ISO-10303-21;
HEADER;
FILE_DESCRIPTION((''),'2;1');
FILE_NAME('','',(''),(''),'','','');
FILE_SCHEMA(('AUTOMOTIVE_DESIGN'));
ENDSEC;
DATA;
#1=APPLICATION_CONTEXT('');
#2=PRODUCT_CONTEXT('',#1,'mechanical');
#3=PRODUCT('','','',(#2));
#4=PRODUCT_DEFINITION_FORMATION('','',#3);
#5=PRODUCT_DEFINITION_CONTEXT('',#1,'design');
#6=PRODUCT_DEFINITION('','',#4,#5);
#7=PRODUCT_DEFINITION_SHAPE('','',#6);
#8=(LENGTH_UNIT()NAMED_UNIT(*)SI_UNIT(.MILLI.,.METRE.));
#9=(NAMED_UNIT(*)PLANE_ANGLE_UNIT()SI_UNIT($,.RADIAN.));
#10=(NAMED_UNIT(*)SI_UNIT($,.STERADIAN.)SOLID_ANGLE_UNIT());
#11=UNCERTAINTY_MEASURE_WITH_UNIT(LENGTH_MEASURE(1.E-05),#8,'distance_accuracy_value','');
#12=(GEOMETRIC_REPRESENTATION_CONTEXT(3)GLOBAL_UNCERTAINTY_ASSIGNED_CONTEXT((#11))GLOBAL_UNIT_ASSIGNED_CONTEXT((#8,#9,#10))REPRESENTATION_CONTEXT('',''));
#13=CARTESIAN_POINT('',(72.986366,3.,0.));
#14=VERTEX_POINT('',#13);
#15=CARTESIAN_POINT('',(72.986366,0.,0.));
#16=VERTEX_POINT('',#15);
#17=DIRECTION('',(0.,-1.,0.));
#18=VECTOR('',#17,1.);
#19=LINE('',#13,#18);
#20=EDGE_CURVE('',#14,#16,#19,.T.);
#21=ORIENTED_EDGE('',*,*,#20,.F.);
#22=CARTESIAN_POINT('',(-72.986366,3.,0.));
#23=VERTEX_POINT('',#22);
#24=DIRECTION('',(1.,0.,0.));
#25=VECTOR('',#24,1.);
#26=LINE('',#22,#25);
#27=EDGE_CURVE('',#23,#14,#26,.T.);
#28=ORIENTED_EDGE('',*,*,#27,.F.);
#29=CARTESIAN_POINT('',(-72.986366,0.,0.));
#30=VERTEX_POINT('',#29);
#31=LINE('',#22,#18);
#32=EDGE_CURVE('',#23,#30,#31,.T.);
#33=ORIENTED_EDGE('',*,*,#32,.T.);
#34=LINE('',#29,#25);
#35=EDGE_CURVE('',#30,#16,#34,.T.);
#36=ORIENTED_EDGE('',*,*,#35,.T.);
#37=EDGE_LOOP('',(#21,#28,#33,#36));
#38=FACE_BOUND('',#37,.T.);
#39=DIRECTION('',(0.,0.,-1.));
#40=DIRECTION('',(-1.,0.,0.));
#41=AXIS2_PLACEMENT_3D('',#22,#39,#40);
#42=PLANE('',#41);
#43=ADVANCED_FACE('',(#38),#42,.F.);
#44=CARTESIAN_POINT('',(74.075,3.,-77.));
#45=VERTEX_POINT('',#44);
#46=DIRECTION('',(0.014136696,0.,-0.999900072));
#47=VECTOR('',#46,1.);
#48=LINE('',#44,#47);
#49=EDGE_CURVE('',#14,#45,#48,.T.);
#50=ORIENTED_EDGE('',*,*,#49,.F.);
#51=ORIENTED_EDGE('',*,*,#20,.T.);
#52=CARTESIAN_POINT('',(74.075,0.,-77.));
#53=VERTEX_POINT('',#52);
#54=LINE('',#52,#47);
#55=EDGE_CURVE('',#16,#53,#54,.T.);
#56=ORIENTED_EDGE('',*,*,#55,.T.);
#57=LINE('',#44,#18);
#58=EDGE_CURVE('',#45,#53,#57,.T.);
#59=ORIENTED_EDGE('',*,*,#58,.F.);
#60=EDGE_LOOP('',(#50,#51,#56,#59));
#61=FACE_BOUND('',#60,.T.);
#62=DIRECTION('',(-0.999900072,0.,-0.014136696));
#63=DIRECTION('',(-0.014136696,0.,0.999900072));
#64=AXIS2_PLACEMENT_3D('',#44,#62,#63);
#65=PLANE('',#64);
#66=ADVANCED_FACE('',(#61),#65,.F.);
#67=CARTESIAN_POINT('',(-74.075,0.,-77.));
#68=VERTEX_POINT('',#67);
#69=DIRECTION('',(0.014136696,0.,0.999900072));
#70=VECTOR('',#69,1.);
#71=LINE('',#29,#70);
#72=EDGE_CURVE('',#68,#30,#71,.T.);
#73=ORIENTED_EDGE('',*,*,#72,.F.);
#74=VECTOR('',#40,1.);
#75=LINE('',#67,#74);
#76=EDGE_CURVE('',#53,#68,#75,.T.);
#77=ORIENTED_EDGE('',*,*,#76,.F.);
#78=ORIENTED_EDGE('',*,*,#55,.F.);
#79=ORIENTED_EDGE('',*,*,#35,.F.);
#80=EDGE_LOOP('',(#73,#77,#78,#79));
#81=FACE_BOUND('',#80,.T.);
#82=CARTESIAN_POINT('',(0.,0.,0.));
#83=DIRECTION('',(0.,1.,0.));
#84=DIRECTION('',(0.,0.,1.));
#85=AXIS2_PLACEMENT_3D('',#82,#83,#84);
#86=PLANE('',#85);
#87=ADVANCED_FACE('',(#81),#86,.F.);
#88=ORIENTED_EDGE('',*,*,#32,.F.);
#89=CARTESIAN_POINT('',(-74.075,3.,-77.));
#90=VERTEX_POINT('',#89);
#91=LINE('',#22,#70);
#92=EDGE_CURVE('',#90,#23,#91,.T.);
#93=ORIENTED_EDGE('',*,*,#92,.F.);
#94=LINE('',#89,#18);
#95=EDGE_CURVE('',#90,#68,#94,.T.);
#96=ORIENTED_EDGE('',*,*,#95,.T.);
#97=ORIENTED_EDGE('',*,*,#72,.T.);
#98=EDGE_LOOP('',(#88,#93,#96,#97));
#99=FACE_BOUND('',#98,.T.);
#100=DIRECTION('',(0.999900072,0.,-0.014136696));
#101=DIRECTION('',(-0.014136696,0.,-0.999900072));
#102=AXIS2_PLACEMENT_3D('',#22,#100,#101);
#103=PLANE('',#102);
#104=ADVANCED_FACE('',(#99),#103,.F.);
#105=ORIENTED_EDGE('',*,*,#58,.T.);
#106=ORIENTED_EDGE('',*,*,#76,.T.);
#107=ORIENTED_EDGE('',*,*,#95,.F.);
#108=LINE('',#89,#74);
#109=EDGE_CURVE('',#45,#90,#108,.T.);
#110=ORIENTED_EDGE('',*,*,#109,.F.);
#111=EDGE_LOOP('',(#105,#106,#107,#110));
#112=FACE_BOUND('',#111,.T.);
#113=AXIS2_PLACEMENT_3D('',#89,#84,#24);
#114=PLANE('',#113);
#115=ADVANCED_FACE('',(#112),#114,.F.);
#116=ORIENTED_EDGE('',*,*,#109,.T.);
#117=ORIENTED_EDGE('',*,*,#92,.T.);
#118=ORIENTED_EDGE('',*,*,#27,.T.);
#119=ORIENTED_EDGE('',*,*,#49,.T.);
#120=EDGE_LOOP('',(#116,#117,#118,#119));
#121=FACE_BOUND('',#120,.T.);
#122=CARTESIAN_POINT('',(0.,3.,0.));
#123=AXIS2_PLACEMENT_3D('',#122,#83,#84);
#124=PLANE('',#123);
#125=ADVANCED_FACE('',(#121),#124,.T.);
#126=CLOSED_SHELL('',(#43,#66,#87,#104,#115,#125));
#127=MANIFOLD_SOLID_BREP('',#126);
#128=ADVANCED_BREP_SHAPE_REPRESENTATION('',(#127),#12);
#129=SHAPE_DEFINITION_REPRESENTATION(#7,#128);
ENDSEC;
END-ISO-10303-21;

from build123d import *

# Parameters (mm, degrees)
BOSS_EXTRUDE1_DEPTH = 3


with BuildPart() as part:
    # Sketch1 → Boss-Extrude1 (new body)
    with BuildSketch(Plane(origin=(0, 0, 0), x_dir=(1, 0, 0), z_dir=(0, 1, 0))):
        Polygon((-72.98636562, 0), (72.98636562, 0), (74.075, 77), (-74.075, 77), align=None)
    extrude(amount=BOSS_EXTRUDE1_DEPTH)


solid = part.part
